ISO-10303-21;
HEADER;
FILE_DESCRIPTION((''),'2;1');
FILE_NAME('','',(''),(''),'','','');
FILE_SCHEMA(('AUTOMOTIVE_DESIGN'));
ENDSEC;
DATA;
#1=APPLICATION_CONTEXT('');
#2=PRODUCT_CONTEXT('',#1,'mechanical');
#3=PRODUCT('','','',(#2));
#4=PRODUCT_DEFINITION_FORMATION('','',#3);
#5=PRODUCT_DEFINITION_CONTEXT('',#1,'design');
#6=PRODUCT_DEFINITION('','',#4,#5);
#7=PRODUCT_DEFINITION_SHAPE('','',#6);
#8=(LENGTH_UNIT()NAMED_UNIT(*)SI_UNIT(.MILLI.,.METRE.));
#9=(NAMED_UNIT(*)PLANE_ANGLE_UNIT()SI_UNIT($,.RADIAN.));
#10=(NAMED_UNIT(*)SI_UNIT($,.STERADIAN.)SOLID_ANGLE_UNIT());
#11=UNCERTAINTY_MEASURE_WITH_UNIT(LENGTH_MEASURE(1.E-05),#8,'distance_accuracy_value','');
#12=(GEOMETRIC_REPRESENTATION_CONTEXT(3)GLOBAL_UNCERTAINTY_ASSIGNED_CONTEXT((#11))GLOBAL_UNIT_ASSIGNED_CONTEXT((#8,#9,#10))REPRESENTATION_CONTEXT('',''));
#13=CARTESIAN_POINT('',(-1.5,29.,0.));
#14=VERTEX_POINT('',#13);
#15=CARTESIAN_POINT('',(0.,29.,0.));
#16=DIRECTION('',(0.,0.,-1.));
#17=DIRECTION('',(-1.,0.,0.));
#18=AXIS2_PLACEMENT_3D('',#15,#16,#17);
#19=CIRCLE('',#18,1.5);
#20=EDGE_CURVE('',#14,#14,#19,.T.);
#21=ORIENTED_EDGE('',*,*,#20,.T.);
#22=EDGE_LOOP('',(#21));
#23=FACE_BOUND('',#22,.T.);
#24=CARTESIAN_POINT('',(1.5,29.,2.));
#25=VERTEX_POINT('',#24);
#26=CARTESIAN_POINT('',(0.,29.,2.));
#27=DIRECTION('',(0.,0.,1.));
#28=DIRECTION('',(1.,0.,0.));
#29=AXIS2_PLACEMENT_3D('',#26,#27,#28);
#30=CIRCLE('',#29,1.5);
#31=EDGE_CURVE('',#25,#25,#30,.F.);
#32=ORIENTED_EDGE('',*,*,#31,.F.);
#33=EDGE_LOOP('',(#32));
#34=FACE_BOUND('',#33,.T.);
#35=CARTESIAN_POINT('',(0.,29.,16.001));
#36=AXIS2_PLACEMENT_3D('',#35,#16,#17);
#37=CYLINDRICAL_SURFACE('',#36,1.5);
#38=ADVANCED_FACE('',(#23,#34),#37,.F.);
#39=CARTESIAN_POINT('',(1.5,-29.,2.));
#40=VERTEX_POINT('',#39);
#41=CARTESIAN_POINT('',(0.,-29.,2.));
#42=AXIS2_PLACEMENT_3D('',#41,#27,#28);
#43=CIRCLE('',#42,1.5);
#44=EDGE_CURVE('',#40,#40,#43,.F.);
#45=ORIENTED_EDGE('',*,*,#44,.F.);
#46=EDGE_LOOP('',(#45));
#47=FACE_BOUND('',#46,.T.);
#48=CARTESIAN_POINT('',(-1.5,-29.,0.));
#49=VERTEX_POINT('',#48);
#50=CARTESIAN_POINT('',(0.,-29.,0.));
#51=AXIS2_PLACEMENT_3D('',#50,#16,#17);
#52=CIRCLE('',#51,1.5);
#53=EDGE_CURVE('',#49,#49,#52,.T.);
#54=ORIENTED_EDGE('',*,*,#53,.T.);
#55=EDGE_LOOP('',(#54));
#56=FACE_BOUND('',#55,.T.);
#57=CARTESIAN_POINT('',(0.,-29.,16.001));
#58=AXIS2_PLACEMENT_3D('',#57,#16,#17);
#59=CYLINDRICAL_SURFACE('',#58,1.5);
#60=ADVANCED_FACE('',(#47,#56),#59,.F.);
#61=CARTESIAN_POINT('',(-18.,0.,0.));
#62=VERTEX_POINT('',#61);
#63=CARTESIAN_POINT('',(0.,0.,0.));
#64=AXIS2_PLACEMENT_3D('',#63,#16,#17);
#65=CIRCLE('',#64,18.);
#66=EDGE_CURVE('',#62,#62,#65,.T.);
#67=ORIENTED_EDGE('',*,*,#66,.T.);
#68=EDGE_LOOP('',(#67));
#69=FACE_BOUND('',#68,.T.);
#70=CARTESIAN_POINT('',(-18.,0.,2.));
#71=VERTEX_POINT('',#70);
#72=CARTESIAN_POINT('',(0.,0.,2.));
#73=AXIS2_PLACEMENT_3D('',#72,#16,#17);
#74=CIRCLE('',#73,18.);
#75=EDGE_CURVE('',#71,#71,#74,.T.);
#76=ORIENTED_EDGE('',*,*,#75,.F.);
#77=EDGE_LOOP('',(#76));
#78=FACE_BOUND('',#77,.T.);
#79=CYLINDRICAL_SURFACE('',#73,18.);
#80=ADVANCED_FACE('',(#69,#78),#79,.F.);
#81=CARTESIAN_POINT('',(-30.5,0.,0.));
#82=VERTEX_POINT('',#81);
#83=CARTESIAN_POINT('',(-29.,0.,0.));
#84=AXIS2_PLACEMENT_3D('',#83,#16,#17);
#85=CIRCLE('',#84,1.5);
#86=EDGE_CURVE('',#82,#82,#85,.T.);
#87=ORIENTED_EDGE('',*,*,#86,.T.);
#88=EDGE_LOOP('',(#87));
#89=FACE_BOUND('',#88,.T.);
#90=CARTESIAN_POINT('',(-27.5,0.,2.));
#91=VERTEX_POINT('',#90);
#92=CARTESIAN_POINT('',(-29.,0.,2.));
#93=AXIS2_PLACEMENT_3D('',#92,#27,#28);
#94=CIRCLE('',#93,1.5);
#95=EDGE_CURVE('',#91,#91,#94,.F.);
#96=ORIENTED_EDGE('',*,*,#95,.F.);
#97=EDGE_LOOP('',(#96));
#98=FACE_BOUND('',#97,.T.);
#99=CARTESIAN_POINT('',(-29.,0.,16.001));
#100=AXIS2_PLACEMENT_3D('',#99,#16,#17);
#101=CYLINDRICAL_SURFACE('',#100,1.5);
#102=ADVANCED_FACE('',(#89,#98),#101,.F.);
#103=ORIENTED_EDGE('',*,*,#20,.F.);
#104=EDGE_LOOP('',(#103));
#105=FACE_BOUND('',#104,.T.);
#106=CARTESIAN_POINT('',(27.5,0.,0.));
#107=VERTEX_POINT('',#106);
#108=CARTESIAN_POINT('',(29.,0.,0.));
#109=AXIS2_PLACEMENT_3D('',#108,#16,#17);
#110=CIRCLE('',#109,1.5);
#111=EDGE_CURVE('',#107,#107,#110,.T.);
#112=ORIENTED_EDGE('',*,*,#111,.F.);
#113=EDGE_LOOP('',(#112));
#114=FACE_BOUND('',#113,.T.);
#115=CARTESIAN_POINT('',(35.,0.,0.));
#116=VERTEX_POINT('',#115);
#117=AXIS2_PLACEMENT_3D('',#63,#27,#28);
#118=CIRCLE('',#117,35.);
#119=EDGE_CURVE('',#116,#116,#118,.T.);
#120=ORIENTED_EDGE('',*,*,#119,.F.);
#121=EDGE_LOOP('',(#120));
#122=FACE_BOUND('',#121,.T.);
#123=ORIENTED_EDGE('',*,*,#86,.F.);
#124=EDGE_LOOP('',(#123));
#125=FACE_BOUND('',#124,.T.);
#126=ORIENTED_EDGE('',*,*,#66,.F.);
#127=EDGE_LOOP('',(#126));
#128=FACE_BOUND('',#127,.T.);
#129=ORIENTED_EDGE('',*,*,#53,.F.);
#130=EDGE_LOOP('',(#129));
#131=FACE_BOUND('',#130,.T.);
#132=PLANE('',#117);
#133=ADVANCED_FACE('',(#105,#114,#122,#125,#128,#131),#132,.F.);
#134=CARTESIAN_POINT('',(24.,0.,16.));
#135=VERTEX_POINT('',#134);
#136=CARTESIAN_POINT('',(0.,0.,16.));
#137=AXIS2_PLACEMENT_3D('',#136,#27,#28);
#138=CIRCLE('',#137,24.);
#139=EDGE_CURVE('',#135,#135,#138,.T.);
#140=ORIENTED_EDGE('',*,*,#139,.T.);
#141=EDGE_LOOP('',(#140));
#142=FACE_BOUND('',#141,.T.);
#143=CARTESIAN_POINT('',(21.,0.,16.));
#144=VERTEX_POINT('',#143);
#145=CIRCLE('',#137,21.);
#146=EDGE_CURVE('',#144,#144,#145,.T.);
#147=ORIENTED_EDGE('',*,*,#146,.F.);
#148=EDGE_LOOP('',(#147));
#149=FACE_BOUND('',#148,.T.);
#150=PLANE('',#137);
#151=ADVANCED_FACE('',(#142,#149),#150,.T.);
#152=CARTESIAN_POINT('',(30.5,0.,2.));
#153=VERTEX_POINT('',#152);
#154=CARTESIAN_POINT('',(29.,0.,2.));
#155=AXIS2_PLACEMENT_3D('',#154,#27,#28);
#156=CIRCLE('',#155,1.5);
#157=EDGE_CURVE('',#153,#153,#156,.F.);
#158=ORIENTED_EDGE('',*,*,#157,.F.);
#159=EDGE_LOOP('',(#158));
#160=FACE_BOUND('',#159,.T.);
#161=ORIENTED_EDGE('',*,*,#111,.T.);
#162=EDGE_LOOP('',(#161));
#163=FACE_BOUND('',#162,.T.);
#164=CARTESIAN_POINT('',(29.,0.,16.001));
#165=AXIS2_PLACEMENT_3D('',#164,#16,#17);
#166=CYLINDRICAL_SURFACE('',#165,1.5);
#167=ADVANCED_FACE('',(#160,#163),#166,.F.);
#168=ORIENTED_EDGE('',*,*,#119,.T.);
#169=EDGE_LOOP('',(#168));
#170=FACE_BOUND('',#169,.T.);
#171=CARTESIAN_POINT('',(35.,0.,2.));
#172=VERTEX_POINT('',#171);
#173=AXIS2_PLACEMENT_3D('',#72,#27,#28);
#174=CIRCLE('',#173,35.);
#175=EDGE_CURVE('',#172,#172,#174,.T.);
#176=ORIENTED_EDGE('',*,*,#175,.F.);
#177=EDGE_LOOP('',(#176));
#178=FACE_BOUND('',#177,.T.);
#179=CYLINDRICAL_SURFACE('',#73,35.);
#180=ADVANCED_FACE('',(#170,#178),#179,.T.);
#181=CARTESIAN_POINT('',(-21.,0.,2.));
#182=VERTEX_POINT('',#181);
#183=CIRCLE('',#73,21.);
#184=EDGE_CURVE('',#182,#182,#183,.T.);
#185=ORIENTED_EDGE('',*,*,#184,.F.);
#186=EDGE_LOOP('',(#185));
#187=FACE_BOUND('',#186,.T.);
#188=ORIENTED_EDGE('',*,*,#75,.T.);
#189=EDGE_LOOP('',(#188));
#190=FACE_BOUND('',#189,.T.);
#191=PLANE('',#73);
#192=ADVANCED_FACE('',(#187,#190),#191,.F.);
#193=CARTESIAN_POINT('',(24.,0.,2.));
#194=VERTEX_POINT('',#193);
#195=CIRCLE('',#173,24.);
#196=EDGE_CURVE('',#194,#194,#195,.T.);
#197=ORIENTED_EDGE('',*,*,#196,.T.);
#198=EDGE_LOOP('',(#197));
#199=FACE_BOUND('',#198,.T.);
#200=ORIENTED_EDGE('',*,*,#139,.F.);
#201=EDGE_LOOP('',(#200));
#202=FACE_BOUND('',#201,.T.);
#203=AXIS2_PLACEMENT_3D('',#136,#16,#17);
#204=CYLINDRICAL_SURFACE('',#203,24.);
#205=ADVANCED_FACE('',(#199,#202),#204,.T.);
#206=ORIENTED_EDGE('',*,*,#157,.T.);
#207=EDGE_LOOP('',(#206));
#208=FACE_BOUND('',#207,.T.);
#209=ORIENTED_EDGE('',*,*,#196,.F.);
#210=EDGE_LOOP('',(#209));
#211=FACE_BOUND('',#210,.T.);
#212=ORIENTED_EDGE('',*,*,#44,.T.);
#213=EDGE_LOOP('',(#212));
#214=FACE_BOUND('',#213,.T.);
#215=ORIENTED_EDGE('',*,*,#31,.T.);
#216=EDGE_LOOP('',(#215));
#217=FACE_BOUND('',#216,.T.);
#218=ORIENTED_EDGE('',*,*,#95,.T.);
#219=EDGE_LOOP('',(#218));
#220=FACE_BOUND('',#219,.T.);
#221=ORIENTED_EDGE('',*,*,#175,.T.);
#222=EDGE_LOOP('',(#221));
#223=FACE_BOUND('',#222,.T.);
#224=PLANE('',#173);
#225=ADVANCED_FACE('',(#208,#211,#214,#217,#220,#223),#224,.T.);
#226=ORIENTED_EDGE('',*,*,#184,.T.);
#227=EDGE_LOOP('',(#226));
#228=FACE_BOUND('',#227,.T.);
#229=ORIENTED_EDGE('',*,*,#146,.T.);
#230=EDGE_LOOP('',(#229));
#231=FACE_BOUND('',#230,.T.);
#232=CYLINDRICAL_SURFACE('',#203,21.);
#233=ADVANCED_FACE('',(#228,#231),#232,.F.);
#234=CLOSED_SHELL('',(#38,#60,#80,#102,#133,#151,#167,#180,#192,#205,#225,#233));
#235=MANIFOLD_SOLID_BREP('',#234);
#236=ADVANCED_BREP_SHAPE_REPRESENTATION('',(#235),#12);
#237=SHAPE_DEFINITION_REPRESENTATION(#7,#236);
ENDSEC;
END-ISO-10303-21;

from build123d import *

# Parameters (mm, degrees)
SKETCH1_R           = 35
BOSS_EXTRUDE1_DEPTH = 2
SKETCH2_R           = 24
SKETCH2_R_2         = 21
BOSS_EXTRUDE2_DEPTH = 14
SKETCH3_R           = 21
CUT_EXTRUDE1_DEPTH  = 10
CUT_EXTRUDE2_REACH  = 18
SKETCH4_R           = 1.5
SKETCH5_R           = 21
SKETCH5_R_2         = 18
BOSS_EXTRUDE3_DEPTH = 2


with BuildPart() as part:
    # Sketch1 → Boss-Extrude1 (new body)
    with BuildSketch(Plane.XY):
        Circle(SKETCH1_R)
    extrude(amount=BOSS_EXTRUDE1_DEPTH)

    # Sketch2 → Boss-Extrude2 (add)
    with BuildSketch(Plane.XY.offset(2)):
        Circle(SKETCH2_R)
        Circle(SKETCH2_R_2, mode=Mode.SUBTRACT)
    extrude(amount=BOSS_EXTRUDE2_DEPTH)

    # Sketch3 → Cut-Extrude1 (cut)
    with BuildSketch(Plane.XY.offset(2)):
        Circle(SKETCH3_R)
    extrude(amount=-CUT_EXTRUDE1_DEPTH, mode=Mode.SUBTRACT)

    # Sketch4 → Cut-Extrude2 (cut, up to next)
    with BuildSketch(Plane(origin=(0, 0, 0), x_dir=(-1, 0, 0), z_dir=(0, 0, -1)), mode=Mode.PRIVATE) as cut_extrude2_sk1:
        with Locations((29, 0)):
            Circle(SKETCH4_R)
    cut_extrude2_tool1 = extrude(cut_extrude2_sk1.sketch, amount=-CUT_EXTRUDE2_REACH, mode=Mode.PRIVATE) & part.part
    add(cut_extrude2_tool1.solids().sort_by_distance((-29, 0, 0))[0], mode=Mode.SUBTRACT)
    # Sketch4 → Cut-Extrude2 (cut, up to next)
    with BuildSketch(Plane(origin=(0, 0, 0), x_dir=(-1, 0, 0), z_dir=(0, 0, -1)), mode=Mode.PRIVATE) as cut_extrude2_sk2:
        with Locations((0, -29)):
            Circle(SKETCH4_R)
    cut_extrude2_tool2 = extrude(cut_extrude2_sk2.sketch, amount=-CUT_EXTRUDE2_REACH, mode=Mode.PRIVATE) & part.part
    add(cut_extrude2_tool2.solids().sort_by_distance((0, -29, 0))[0], mode=Mode.SUBTRACT)
    # Sketch4 → Cut-Extrude2 (cut, up to next)
    with BuildSketch(Plane(origin=(0, 0, 0), x_dir=(-1, 0, 0), z_dir=(0, 0, -1)), mode=Mode.PRIVATE) as cut_extrude2_sk3:
        with Locations((-29, 0)):
            Circle(SKETCH4_R)
    cut_extrude2_tool3 = extrude(cut_extrude2_sk3.sketch, amount=-CUT_EXTRUDE2_REACH, mode=Mode.PRIVATE) & part.part
    add(cut_extrude2_tool3.solids().sort_by_distance((29, 0, 0))[0], mode=Mode.SUBTRACT)
    # Sketch4 → Cut-Extrude2 (cut, up to next)
    with BuildSketch(Plane(origin=(0, 0, 0), x_dir=(-1, 0, 0), z_dir=(0, 0, -1)), mode=Mode.PRIVATE) as cut_extrude2_sk4:
        with Locations((0, 29)):
            Circle(SKETCH4_R)
    cut_extrude2_tool4 = extrude(cut_extrude2_sk4.sketch, amount=-CUT_EXTRUDE2_REACH, mode=Mode.PRIVATE) & part.part
    add(cut_extrude2_tool4.solids().sort_by_distance((0, 29, 0))[0], mode=Mode.SUBTRACT)

    # Sketch5 → Boss-Extrude3 (add)
    with BuildSketch(Plane(origin=(0, 0, 0), x_dir=(-1, 0, 0), z_dir=(0, 0, -1))):
        Circle(SKETCH5_R)
        Circle(SKETCH5_R_2, mode=Mode.SUBTRACT)
    extrude(amount=-BOSS_EXTRUDE3_DEPTH)


solid = part.part
